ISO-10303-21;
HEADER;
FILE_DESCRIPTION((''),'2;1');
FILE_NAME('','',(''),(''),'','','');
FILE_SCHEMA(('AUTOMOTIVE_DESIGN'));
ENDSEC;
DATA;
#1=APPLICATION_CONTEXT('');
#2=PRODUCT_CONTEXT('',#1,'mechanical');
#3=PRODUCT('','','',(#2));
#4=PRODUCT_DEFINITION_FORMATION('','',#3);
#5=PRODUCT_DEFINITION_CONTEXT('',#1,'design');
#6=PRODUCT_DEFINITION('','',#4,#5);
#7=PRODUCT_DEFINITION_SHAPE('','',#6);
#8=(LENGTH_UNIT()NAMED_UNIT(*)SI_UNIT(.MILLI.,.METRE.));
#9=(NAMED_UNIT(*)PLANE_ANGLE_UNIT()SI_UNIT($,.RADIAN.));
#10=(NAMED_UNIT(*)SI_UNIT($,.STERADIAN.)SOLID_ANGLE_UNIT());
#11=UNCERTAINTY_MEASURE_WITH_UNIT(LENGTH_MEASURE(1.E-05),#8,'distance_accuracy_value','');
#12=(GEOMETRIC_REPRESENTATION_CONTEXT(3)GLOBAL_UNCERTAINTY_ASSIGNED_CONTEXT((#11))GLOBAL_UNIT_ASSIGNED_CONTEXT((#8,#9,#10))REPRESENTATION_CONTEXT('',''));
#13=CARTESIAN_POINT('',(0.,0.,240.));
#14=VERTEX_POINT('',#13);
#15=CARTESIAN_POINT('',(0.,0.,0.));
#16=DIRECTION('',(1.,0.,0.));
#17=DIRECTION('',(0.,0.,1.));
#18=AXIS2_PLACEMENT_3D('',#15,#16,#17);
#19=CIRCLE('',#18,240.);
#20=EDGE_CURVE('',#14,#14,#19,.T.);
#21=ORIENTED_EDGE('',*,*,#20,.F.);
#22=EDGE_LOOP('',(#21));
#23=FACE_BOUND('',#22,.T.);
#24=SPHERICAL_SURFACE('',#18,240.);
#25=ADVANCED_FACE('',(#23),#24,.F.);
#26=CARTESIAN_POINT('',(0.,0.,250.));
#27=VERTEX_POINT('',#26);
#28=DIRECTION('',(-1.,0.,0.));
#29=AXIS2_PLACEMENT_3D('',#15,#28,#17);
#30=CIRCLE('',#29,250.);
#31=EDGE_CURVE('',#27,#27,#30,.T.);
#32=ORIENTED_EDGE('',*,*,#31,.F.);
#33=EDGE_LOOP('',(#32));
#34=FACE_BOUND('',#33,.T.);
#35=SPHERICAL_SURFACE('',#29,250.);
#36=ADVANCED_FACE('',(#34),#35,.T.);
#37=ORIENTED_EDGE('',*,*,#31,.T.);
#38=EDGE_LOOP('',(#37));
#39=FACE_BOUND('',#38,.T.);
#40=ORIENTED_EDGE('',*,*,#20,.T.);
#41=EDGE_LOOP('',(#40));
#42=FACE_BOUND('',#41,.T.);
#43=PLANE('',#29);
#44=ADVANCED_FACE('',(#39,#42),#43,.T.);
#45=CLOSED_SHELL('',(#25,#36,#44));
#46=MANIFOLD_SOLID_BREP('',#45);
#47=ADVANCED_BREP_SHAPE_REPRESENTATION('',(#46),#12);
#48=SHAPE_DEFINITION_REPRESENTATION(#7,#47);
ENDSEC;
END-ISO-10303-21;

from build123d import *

# Parameters (mm, degrees)
REVOLVE_3_ANGLE = 180


with BuildPart() as part:
    # Эскиз1 → Повернуть3 (revolve)
    with BuildSketch(Plane(origin=(0, 0, 0), x_dir=(0, 0, -1), z_dir=(1, 0, 0))):
        with BuildLine():
            Line((0, 240), (0, 250))
            ThreePointArc((0, 250), (-250, 0), (0, -250))
            Line((0, -250), (0, -240))
            ThreePointArc((0, -240), (-240, 0), (0, 240))
        make_face()
    revolve(axis=Axis((0, 0, 0), (0, 1, 0)), revolution_arc=REVOLVE_3_ANGLE)


solid = part.part
